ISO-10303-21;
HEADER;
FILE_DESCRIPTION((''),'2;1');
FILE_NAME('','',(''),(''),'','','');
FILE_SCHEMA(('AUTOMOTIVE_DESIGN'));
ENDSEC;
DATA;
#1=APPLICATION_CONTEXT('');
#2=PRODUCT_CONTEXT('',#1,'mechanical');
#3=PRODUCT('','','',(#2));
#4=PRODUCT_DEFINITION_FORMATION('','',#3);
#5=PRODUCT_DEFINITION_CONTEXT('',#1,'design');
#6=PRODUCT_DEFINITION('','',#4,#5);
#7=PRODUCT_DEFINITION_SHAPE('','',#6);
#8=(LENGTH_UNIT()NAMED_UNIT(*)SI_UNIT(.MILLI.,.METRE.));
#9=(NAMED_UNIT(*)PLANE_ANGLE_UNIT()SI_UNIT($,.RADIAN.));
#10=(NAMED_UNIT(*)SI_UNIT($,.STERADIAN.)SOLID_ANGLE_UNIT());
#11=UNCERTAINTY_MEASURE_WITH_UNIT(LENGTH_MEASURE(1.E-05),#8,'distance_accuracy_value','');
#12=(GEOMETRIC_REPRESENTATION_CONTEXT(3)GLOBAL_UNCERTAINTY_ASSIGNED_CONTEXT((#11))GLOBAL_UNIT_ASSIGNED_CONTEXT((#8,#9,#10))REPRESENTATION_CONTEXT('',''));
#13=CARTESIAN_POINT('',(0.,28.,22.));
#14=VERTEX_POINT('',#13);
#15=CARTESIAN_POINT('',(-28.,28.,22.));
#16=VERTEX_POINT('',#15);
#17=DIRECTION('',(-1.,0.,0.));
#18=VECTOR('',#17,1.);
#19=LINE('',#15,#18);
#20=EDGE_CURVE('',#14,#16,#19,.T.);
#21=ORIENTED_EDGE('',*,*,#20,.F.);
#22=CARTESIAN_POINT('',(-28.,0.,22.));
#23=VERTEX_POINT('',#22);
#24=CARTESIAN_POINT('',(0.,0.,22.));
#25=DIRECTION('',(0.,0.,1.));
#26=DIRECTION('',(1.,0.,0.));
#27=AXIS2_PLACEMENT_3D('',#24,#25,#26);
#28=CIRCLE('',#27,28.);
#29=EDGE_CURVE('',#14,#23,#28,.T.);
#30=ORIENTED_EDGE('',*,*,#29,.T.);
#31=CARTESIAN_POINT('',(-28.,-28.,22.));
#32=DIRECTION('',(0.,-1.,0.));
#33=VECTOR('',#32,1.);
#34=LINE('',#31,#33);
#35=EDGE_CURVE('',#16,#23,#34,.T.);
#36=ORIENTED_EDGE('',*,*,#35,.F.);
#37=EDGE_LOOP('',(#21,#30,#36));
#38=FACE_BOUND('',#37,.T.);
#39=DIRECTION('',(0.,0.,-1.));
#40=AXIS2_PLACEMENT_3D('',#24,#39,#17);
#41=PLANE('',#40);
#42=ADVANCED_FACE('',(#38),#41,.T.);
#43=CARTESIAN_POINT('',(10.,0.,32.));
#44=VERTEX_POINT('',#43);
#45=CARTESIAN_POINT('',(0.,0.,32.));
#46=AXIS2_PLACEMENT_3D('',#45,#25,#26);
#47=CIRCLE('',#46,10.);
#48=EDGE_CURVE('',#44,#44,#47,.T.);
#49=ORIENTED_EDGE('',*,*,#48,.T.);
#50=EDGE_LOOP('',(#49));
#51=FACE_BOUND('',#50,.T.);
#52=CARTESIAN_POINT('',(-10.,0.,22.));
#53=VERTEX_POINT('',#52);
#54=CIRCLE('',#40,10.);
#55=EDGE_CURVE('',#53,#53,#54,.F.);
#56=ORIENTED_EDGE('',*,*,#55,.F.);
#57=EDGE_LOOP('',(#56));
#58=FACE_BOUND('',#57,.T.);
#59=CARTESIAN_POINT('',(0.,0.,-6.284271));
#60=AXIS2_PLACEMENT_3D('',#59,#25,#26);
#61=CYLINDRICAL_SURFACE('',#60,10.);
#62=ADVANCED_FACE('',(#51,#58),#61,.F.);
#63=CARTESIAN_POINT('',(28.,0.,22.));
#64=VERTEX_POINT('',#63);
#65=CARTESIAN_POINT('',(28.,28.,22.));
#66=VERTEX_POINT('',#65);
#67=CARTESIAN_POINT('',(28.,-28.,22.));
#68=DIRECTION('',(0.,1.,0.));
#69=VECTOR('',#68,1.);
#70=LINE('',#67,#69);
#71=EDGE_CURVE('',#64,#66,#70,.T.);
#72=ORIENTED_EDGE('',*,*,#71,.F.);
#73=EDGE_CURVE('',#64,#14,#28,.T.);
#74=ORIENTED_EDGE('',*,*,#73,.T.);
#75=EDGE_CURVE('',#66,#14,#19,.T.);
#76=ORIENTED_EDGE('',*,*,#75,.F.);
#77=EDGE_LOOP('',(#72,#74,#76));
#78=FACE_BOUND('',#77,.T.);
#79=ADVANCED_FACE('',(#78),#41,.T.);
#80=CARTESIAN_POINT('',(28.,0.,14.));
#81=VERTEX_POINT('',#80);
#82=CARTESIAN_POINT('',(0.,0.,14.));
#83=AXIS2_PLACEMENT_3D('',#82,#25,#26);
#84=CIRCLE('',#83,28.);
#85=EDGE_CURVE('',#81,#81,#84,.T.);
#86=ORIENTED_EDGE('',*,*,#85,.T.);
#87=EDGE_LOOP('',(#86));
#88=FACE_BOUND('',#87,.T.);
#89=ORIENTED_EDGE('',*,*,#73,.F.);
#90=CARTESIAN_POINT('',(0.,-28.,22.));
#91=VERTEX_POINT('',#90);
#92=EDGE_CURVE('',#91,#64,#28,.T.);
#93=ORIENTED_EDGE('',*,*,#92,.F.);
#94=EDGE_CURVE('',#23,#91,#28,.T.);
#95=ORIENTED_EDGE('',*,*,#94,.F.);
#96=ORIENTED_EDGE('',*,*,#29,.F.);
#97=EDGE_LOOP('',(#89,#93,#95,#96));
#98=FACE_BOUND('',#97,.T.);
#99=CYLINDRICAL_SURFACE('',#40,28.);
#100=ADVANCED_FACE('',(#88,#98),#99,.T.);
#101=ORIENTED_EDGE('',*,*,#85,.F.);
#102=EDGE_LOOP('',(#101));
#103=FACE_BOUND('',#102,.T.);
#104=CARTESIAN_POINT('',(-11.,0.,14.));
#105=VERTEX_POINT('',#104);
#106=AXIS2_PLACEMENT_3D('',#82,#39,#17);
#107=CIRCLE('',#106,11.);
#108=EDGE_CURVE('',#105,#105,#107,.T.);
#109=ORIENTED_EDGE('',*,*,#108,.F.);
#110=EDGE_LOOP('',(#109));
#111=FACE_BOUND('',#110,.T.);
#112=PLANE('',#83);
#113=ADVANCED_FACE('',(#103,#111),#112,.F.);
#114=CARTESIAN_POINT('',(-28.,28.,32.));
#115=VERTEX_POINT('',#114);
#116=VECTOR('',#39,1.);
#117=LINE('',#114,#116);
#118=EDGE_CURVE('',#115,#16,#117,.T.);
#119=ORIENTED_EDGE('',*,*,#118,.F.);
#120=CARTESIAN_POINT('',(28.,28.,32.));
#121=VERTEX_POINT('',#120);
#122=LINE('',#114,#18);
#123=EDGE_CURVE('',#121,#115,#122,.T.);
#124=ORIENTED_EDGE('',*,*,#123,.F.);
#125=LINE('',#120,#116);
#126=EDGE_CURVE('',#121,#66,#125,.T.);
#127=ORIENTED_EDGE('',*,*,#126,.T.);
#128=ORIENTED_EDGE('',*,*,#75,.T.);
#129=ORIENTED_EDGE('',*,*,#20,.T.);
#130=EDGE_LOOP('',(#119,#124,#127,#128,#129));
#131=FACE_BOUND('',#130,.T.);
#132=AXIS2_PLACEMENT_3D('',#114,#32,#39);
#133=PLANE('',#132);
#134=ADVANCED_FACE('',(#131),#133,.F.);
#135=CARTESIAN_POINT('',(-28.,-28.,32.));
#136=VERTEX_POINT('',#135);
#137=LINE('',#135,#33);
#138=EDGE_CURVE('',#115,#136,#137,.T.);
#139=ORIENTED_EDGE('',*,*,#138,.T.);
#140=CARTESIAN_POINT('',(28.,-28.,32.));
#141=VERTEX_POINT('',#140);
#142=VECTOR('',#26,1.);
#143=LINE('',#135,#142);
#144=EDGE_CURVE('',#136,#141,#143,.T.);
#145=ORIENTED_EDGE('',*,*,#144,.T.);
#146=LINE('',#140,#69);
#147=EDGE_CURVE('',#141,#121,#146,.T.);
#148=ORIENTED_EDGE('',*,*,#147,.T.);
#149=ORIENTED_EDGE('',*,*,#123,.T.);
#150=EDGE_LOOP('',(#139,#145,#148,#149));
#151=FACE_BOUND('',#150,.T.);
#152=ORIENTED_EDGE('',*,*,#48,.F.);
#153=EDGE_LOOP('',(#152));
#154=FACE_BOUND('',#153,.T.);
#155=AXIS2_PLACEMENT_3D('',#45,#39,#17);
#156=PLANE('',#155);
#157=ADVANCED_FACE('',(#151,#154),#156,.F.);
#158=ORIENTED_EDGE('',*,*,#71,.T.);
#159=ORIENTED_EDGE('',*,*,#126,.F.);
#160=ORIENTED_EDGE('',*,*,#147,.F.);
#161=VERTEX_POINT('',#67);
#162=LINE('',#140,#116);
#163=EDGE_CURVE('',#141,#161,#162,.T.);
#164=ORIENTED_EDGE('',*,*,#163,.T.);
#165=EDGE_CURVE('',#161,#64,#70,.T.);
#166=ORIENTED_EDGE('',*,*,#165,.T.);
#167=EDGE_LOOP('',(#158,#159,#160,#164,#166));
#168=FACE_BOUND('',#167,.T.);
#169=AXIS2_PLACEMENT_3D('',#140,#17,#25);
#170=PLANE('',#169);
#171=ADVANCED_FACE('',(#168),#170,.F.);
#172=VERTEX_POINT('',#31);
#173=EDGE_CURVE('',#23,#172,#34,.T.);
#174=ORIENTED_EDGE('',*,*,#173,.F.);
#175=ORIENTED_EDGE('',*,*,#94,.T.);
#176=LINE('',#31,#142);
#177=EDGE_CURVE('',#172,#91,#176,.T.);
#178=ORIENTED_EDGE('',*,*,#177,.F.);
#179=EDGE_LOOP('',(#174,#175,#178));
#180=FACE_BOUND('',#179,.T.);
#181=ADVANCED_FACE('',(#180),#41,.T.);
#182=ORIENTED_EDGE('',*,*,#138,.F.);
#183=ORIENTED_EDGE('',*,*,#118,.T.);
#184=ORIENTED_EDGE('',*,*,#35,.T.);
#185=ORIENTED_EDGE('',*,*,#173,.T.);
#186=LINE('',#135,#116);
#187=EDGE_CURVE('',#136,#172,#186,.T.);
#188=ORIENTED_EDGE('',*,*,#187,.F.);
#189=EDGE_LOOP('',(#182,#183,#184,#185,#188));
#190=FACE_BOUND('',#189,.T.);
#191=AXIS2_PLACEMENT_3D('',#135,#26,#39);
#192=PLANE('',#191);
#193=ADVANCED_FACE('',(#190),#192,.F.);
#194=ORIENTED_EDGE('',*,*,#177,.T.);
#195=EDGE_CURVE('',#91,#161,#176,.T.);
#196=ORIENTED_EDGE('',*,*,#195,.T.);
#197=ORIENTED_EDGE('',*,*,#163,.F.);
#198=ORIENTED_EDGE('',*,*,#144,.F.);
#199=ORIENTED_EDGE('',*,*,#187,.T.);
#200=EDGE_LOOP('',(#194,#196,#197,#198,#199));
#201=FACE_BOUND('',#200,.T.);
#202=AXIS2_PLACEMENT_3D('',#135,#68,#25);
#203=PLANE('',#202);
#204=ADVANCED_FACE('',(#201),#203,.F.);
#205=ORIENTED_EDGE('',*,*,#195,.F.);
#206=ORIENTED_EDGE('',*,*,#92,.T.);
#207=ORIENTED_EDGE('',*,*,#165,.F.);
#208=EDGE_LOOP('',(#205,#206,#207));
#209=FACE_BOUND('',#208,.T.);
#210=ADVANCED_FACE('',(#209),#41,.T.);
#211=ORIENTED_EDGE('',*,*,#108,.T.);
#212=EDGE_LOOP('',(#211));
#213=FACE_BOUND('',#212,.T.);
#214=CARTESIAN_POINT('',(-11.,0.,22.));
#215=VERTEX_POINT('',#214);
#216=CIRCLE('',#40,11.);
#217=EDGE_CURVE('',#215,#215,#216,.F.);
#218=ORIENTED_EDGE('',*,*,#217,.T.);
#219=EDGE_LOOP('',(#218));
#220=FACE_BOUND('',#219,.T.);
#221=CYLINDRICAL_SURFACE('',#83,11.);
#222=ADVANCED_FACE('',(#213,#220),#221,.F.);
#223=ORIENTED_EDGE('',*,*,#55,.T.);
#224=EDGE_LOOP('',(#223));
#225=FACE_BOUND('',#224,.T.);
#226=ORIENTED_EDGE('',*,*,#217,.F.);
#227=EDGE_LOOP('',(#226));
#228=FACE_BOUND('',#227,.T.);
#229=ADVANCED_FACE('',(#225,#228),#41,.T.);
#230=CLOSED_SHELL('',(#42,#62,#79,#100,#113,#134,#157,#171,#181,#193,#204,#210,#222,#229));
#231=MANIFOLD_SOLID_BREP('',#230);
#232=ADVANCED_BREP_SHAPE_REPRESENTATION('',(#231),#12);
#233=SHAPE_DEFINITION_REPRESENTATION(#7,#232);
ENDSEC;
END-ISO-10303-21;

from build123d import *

# Parameters (mm, degrees)
SKETCH1_R           = 28
SKETCH1_R_2         = 18
BOSS_EXTRUDE1_DEPTH = 22
SKETCH2_W           = 56
SKETCH2_H           = 56
BOSS_EXTRUDE2_DEPTH = 10
CUT_EXTRUDE1_DEPTH  = 14
SKETCH4_R           = 5
CUT_EXTRUDE2_DEPTH  = 14
SKETCH5_R           = 21.225012464
SKETCH5_R_2         = 11
BOSS_EXTRUDE3_DEPTH = 8
SKETCH6_R           = 50.391738165
CUT_EXTRUDE3_DEPTH  = 14
SKETCH9_R           = 10
CUT_EXTRUDE6_DEPTH  = 10


with BuildPart() as part:
    # Sketch1 → Boss-Extrude1 (new body)
    with BuildSketch(Plane.XY):
        Circle(SKETCH1_R)
        Circle(SKETCH1_R_2, mode=Mode.SUBTRACT)
    extrude(amount=BOSS_EXTRUDE1_DEPTH)

    # Sketch2 → Boss-Extrude2 (add)
    with BuildSketch(Plane.XY.offset(22)):
        Rectangle(SKETCH2_W, SKETCH2_H)
    extrude(amount=BOSS_EXTRUDE2_DEPTH)

    # Sketch3 → Cut-Extrude1 (cut)
    with BuildSketch(Plane(origin=(0, 0, 0), x_dir=(-1, 0, 0), z_dir=(0, 0, -1))):
        Polygon((0, 0), (-28, -28), (28, -28), align=None)
    extrude(amount=-CUT_EXTRUDE1_DEPTH, mode=Mode.SUBTRACT)

    # Sketch4 → Cut-Extrude2 (cut)
    with BuildSketch(Plane(origin=(0, 0, 22), x_dir=(-1, 0, 0), z_dir=(0, 0, -1))):
        Circle(SKETCH4_R)
    extrude(amount=-CUT_EXTRUDE2_DEPTH, mode=Mode.SUBTRACT)

    # Sketch5 → Boss-Extrude3 (add)
    with BuildSketch(Plane(origin=(0, 0, 22), x_dir=(-1, 0, 0), z_dir=(0, 0, -1))):
        Circle(SKETCH5_R)
        Circle(SKETCH5_R_2, mode=Mode.SUBTRACT)
    extrude(amount=BOSS_EXTRUDE3_DEPTH)

    # Sketch6 → Cut-Extrude3 (cut)
    with BuildSketch(Plane(origin=(0, 0, 0), x_dir=(-1, 0, 0), z_dir=(0, 0, -1))):
        Circle(SKETCH6_R)
    extrude(amount=-CUT_EXTRUDE3_DEPTH, mode=Mode.SUBTRACT)

    # Sketch9 → Cut-Extrude6 (cut)
    with BuildSketch(Plane.XY.offset(32)):
        Circle(SKETCH9_R)
    extrude(amount=-CUT_EXTRUDE6_DEPTH, mode=Mode.SUBTRACT)


solid = part.part
